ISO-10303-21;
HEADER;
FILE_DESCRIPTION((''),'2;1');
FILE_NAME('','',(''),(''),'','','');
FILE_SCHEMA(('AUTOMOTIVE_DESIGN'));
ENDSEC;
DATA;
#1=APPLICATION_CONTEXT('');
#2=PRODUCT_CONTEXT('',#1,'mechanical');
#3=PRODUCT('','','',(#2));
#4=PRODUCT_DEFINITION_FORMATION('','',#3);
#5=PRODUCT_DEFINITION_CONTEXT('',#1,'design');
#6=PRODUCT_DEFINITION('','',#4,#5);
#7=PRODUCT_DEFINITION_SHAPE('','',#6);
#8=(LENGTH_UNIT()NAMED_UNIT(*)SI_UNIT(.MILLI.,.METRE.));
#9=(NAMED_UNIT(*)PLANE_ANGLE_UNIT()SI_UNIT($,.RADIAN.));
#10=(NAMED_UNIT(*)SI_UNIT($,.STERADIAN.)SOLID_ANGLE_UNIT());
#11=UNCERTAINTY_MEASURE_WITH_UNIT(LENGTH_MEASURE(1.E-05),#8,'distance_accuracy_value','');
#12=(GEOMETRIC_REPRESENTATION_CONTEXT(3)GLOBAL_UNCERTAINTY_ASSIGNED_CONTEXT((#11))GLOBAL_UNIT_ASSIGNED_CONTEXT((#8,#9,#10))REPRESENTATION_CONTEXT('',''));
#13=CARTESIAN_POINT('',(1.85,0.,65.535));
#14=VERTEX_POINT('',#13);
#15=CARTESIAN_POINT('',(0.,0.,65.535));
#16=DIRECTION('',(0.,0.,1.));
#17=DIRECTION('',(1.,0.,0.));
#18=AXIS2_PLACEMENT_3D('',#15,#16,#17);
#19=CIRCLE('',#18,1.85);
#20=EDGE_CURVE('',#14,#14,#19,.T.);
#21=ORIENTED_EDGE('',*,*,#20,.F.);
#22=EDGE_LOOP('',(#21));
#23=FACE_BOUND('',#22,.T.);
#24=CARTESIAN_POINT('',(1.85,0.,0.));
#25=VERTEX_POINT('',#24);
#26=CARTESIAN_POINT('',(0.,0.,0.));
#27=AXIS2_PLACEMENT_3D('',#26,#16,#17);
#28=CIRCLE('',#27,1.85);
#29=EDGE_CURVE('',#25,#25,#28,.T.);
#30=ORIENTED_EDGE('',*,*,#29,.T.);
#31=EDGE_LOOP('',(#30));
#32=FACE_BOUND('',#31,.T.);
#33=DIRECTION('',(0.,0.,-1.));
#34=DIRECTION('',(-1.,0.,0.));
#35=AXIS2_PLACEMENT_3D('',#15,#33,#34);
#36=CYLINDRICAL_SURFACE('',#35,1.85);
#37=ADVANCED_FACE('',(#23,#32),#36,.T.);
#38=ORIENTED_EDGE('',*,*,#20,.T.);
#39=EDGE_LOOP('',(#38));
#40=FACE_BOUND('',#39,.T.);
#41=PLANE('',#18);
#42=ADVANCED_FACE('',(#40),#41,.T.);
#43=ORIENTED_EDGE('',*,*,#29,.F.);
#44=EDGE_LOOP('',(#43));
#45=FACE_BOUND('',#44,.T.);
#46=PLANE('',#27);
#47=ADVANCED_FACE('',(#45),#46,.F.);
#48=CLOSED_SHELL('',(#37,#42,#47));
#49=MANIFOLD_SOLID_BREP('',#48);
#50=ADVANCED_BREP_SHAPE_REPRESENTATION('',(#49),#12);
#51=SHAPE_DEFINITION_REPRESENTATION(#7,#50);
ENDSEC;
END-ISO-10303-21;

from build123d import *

# Parameters (mm, degrees)
CROQUIS1_R              = 1.85
SALIENTE_EXTRUIR1_DEPTH = 65.535


with BuildPart() as part:
    # Croquis1 → Saliente-Extruir1 (new body)
    with BuildSketch(Plane.XY):
        Circle(CROQUIS1_R)
    extrude(amount=SALIENTE_EXTRUIR1_DEPTH)


solid = part.part
